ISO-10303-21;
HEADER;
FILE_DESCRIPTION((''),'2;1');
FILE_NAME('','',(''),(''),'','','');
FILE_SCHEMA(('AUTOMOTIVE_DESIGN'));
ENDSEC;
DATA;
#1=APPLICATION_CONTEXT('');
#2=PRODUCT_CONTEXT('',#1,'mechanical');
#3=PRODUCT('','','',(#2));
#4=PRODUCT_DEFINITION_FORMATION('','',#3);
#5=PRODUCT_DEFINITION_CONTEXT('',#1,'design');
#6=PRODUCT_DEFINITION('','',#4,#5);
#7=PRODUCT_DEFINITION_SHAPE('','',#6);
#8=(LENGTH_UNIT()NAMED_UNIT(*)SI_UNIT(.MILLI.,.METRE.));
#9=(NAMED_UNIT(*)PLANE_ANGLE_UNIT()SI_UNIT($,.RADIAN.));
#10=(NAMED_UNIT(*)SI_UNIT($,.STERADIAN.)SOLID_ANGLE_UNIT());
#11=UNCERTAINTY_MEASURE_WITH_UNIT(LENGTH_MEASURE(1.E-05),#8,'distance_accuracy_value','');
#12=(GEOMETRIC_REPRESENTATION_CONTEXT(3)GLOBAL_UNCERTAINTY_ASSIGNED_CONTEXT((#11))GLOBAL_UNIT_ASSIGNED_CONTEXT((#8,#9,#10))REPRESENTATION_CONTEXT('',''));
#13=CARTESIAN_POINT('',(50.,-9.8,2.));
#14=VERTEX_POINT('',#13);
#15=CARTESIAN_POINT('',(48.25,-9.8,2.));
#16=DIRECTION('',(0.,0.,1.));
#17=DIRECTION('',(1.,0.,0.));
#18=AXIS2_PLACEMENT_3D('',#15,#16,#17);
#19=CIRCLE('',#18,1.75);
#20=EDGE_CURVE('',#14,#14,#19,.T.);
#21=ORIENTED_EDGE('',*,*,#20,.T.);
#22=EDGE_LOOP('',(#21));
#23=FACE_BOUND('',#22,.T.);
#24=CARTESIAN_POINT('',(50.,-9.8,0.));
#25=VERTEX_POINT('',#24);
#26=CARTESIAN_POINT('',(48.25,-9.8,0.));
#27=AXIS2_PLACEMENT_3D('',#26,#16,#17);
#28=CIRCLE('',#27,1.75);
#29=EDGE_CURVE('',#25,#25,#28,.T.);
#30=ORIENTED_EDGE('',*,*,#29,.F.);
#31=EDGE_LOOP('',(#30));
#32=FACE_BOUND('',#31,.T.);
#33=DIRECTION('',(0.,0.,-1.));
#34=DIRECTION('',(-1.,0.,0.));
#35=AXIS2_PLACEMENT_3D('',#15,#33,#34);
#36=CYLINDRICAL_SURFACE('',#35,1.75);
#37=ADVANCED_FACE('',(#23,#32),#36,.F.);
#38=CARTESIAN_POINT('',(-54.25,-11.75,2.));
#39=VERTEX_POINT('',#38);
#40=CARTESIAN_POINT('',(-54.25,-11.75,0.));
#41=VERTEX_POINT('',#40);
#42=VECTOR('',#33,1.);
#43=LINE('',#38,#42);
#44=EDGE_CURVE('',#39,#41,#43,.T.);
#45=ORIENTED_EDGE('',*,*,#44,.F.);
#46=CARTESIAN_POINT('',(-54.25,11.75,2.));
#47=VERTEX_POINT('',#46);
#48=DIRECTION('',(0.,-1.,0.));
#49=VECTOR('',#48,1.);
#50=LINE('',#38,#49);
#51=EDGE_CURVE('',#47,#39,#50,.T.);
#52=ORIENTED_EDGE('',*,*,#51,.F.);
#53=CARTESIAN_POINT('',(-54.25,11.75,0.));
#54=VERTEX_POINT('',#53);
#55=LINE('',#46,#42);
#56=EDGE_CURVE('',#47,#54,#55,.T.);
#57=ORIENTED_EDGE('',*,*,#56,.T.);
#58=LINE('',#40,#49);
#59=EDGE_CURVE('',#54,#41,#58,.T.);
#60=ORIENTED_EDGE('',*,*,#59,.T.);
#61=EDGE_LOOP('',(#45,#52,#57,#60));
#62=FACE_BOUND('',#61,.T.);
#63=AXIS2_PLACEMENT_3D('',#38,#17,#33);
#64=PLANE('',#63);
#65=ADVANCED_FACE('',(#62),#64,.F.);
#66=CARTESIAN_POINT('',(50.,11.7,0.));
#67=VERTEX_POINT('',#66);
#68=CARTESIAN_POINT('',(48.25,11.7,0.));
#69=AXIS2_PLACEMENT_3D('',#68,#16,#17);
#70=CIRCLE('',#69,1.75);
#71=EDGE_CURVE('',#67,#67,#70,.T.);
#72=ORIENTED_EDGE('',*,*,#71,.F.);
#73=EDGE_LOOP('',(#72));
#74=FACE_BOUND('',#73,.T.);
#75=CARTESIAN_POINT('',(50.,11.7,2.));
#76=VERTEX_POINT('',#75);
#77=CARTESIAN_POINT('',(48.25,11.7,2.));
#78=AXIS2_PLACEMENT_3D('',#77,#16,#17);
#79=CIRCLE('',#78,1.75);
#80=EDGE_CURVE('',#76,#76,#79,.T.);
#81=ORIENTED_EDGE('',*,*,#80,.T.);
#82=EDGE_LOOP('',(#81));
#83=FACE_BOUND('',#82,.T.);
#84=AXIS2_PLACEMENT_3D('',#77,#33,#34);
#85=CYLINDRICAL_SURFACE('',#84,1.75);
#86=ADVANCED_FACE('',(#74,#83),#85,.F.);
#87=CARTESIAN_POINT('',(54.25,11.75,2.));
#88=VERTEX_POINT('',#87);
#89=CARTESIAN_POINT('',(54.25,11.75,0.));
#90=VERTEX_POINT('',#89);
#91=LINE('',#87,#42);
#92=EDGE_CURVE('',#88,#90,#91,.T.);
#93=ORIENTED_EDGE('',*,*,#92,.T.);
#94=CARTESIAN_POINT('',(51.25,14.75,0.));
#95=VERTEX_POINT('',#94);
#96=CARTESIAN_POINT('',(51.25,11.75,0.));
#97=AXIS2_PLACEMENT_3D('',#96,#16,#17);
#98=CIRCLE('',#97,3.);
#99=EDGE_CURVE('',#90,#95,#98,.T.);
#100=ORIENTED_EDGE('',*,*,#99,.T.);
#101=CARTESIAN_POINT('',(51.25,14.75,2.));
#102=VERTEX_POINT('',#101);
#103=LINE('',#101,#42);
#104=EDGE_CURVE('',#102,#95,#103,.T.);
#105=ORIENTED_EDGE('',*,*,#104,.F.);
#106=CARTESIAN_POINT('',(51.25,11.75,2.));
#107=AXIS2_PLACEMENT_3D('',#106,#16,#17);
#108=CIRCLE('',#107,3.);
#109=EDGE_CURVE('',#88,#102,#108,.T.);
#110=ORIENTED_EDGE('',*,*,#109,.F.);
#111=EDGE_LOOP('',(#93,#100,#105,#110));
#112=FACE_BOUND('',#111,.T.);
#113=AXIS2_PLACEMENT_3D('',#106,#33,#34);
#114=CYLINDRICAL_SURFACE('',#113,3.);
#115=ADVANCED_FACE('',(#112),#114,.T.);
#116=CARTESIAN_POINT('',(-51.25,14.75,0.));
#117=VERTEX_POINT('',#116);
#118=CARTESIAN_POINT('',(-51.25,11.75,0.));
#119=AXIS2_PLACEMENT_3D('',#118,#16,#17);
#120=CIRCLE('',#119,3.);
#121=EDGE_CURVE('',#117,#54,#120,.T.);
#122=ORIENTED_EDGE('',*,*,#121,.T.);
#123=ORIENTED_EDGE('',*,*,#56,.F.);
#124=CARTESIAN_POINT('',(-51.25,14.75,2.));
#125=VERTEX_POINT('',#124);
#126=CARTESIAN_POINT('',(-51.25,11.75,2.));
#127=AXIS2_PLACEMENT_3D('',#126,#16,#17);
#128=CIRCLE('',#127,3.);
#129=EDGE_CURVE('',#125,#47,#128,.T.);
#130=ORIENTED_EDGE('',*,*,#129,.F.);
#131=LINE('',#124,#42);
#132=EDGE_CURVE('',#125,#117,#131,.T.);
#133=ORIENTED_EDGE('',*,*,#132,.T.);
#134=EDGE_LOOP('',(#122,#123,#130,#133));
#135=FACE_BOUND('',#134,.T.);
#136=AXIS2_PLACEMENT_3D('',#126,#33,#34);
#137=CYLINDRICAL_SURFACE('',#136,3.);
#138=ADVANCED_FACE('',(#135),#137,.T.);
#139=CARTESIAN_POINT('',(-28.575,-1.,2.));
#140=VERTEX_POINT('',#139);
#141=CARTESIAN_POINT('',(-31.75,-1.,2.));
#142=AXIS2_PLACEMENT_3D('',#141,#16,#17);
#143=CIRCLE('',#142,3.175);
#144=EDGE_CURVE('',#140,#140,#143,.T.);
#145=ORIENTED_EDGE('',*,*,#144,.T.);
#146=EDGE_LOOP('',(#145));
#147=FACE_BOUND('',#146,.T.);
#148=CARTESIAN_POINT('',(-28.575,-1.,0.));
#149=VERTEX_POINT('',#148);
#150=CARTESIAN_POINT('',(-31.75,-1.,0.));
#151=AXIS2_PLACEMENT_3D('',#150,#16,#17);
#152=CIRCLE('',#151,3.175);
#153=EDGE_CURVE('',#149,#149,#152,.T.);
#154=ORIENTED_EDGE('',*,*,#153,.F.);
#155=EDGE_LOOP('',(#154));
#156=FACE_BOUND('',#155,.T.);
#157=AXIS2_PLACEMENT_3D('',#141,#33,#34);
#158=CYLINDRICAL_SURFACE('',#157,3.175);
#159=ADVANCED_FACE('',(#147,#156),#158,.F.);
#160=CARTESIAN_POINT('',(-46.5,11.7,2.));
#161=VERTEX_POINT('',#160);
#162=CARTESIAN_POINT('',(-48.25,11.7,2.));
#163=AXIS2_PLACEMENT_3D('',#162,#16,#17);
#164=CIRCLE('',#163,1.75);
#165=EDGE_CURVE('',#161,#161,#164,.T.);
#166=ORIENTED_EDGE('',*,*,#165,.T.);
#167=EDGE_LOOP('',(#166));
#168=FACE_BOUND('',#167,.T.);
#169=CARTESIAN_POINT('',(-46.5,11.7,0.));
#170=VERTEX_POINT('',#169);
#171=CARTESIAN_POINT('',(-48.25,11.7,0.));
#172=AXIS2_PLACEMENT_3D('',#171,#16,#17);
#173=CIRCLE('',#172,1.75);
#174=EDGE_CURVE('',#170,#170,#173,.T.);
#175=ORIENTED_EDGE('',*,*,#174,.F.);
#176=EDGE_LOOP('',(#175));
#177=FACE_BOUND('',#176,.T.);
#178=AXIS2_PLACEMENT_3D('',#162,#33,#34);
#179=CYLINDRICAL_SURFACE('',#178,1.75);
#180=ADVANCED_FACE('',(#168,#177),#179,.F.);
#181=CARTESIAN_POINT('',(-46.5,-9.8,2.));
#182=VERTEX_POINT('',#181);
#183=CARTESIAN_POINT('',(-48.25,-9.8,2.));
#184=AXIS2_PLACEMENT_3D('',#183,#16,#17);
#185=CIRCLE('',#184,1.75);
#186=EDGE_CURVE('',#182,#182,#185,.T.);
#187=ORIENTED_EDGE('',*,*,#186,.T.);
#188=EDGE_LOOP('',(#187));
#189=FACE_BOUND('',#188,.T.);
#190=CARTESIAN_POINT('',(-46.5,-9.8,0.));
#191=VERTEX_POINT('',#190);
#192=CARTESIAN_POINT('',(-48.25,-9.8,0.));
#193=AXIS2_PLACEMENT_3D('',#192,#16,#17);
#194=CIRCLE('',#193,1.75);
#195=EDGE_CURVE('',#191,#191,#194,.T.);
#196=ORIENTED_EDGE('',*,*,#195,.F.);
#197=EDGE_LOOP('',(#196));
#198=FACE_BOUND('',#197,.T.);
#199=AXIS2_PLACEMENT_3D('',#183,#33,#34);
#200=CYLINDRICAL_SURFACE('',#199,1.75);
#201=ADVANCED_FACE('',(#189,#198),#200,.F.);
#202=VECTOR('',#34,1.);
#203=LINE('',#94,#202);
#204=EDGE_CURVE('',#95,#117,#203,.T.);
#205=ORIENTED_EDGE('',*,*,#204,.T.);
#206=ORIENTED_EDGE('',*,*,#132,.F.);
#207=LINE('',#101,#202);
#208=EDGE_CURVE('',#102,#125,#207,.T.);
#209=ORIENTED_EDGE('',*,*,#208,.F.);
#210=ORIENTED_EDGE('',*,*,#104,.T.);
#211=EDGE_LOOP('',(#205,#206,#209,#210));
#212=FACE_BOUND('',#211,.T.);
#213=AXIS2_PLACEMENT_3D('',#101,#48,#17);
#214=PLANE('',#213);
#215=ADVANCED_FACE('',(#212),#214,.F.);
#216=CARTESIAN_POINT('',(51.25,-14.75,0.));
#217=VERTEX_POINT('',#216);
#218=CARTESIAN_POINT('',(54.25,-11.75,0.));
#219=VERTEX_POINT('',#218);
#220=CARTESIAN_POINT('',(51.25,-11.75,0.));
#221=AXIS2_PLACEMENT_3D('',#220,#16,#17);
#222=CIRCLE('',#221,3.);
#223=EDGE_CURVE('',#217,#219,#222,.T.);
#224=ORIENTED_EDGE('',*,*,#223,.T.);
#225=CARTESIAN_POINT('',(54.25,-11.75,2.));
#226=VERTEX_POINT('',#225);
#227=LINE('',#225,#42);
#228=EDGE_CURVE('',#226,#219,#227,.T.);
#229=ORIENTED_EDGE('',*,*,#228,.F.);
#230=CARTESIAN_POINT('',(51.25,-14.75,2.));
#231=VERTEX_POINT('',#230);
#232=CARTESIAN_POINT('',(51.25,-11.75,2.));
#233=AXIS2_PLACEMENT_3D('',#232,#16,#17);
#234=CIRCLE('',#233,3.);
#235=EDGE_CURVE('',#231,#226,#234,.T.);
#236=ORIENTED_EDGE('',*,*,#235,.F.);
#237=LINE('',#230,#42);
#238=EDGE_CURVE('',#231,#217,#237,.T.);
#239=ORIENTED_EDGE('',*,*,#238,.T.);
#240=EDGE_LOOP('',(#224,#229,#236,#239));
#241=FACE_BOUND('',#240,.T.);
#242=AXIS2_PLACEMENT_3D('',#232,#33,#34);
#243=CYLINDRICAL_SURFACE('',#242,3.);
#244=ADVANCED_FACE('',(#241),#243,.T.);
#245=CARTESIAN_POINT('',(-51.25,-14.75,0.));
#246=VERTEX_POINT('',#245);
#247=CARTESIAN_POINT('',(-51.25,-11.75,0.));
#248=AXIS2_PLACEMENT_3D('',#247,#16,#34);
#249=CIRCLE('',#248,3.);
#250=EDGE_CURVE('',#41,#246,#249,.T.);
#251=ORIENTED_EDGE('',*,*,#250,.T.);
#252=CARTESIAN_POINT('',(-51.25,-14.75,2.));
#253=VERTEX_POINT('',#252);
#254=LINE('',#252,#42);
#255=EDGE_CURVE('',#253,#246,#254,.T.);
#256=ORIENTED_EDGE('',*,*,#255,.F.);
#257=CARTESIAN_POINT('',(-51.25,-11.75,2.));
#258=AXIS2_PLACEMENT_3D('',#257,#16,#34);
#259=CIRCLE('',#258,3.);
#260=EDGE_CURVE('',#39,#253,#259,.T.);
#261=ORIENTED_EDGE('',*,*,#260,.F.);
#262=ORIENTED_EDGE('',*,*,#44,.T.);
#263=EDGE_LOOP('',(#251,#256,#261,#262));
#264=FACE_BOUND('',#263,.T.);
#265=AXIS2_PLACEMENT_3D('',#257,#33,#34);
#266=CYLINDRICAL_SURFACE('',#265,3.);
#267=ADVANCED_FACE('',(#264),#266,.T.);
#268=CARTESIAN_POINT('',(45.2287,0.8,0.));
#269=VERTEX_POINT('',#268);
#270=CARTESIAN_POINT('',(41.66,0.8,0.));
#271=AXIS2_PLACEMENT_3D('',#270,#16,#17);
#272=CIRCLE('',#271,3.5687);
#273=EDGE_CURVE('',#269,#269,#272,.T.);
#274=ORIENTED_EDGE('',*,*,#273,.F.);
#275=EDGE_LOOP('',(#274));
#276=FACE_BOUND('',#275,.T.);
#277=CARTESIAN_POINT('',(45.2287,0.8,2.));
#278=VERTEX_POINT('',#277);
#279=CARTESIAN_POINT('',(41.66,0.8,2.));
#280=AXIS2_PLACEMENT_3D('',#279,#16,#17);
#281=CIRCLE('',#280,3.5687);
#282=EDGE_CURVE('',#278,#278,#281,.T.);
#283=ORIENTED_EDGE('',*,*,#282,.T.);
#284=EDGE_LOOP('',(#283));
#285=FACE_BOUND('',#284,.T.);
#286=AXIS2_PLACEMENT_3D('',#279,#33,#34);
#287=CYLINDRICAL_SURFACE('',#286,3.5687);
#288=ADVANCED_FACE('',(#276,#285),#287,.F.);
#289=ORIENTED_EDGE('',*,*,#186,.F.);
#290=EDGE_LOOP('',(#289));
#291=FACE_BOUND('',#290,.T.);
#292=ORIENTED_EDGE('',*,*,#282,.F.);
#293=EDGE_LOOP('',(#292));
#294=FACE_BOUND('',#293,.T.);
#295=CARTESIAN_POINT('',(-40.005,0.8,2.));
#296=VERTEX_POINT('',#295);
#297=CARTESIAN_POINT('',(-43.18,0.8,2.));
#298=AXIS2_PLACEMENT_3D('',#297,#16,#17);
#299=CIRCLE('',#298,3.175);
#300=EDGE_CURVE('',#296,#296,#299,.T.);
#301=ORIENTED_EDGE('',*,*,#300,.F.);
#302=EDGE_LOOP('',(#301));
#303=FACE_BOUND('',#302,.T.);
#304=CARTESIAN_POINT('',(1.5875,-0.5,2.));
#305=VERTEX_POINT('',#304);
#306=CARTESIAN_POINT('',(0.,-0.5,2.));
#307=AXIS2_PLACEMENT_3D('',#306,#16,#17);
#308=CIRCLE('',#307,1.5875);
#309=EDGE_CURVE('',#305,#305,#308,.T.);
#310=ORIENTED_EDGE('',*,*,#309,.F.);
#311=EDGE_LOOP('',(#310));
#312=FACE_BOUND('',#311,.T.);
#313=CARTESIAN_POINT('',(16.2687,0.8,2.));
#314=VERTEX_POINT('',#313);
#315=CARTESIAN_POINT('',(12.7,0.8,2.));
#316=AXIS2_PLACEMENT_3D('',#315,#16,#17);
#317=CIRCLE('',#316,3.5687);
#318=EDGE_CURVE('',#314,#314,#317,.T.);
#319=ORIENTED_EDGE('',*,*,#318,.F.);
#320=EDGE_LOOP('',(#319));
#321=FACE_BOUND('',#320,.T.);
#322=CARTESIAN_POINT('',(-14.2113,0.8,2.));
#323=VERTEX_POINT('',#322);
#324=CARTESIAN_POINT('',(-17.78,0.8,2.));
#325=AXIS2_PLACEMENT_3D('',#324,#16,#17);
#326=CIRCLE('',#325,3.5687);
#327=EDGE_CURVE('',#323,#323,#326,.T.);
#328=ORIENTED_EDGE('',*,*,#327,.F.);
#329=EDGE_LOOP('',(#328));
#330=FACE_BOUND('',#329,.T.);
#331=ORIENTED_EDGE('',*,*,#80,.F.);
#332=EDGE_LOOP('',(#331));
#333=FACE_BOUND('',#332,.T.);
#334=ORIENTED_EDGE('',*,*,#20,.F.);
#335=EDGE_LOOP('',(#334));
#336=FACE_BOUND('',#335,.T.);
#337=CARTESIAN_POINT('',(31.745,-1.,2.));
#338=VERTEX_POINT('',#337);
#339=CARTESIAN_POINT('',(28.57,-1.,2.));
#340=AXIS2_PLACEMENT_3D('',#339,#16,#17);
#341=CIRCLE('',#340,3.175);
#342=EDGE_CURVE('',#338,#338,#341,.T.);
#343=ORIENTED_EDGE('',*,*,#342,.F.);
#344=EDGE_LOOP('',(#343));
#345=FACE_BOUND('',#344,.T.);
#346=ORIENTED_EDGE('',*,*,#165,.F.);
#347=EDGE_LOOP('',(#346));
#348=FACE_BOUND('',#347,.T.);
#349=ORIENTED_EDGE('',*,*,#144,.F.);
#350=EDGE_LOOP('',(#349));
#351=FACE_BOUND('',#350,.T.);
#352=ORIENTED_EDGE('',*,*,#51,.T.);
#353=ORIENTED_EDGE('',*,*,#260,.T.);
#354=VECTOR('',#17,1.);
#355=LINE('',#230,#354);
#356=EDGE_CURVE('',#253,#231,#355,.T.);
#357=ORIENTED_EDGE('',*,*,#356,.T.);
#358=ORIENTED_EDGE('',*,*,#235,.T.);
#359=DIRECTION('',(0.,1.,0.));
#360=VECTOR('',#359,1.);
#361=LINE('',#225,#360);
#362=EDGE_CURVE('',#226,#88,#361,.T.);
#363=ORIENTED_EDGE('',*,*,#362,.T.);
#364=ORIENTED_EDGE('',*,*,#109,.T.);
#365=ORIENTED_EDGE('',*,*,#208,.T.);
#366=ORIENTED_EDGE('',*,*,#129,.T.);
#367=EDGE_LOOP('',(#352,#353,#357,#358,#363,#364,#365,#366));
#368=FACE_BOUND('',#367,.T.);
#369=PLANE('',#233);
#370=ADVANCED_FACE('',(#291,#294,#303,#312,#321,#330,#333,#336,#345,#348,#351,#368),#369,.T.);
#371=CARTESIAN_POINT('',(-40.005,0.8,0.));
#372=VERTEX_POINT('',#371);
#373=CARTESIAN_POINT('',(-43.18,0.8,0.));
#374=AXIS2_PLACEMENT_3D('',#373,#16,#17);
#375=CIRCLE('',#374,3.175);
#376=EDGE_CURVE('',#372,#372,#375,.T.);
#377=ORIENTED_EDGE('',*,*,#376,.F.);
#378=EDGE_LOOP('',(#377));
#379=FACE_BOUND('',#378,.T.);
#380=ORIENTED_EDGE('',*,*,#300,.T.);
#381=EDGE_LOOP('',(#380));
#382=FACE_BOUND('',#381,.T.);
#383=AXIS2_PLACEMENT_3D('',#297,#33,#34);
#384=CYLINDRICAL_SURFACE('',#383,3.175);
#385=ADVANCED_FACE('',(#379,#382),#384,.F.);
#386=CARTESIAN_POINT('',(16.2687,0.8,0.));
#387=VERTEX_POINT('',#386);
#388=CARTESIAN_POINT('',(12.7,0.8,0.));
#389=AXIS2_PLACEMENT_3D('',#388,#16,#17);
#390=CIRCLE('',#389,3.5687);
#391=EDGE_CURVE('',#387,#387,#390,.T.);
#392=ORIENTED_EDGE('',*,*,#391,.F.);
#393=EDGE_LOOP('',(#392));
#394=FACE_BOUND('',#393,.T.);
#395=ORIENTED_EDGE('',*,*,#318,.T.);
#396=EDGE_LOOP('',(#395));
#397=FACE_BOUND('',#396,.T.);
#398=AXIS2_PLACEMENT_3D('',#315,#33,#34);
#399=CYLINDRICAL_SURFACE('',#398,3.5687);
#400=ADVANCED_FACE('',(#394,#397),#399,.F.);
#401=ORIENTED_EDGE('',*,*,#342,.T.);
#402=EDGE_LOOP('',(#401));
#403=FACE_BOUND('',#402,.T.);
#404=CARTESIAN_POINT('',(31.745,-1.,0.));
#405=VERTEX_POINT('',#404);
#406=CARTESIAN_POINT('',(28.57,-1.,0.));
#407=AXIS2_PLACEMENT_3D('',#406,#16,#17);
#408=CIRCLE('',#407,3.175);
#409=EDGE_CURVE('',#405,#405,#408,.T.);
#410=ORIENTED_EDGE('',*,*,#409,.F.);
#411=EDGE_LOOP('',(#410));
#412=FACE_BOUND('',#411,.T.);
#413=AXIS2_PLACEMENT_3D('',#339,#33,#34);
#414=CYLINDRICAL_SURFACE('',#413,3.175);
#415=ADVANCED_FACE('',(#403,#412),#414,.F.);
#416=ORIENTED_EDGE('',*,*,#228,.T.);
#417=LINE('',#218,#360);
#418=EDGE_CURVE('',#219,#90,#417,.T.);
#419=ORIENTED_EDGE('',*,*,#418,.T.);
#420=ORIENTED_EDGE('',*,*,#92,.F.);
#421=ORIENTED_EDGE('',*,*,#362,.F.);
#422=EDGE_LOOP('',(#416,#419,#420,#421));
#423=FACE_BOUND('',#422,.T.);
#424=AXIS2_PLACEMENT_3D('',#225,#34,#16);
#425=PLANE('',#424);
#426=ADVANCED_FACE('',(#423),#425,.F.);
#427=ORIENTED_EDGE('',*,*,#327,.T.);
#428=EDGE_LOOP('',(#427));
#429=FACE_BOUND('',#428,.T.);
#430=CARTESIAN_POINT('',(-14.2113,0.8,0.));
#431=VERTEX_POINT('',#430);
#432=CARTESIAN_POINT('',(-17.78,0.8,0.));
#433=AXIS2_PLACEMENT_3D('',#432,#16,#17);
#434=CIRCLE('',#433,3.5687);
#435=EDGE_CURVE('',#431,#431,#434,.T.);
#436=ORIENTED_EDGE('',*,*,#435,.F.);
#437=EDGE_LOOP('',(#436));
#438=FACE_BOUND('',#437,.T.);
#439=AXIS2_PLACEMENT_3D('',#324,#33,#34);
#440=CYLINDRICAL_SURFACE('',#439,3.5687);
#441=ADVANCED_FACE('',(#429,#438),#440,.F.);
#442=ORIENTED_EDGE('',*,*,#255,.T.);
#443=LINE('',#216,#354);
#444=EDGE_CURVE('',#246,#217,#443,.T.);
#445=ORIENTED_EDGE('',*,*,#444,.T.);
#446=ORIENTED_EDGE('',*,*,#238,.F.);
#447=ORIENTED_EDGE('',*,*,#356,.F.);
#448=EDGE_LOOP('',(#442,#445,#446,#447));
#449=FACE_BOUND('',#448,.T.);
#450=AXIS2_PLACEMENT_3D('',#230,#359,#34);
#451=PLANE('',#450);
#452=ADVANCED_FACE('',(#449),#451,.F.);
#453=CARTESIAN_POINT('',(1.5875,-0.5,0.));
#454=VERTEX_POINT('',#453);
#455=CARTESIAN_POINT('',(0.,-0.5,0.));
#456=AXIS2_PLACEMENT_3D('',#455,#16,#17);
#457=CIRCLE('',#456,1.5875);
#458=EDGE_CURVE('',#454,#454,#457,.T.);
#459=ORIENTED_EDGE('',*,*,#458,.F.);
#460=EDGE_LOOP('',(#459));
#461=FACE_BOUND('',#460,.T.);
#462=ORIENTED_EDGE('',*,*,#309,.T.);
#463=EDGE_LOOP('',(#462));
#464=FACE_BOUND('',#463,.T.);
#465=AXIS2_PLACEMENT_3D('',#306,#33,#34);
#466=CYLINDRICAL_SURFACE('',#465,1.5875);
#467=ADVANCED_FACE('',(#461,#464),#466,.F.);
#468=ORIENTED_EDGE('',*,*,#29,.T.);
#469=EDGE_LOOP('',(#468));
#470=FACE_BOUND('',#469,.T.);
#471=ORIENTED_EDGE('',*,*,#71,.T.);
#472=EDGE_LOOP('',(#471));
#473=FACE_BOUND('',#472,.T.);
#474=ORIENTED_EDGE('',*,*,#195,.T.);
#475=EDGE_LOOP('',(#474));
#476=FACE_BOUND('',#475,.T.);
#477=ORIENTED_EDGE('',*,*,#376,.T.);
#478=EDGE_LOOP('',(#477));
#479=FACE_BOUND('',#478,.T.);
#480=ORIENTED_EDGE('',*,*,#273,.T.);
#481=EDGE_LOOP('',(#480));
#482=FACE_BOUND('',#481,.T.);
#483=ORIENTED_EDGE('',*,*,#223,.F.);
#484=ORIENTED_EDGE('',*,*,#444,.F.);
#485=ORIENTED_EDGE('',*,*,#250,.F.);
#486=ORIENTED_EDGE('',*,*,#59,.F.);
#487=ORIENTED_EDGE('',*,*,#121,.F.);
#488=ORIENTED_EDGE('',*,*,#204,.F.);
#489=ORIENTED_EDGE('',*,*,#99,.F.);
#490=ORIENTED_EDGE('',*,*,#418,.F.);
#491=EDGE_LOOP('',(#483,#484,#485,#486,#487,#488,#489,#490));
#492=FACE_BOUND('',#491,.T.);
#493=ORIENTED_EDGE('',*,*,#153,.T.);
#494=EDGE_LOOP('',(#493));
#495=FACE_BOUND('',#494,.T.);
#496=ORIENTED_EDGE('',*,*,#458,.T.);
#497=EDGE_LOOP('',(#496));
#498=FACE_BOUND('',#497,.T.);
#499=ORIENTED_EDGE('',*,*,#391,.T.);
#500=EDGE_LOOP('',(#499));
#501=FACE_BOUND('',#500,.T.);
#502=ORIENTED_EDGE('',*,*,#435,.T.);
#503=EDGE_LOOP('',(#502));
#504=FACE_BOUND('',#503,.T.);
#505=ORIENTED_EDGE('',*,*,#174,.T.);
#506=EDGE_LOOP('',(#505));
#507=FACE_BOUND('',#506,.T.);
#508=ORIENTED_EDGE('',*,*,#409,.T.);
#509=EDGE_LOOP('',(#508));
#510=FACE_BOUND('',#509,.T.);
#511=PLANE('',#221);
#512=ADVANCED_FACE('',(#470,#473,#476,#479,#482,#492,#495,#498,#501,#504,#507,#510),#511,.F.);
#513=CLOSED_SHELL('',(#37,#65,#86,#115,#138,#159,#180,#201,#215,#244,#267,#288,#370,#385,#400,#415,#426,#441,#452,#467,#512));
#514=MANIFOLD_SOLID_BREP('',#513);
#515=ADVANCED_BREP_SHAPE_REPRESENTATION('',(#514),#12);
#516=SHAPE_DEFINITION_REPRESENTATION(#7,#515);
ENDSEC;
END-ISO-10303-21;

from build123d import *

# Parameters (mm, degrees)
SKETCH1_R           = 1.5875
SKETCH1_R_2         = 3.5687
SKETCH1_R_3         = 3.175
SKETCH1_R_4         = 1.75
BOSS_EXTRUDE1_DEPTH = 2


with BuildPart() as part:
    # Sketch1 → Boss-Extrude1 (new body)
    with BuildSketch(Plane.XY):
        with BuildLine():
            Line((51.25, -14.75), (-51.25, -14.75))
            ThreePointArc((-51.25, -14.75), (-53.371320344, -13.871320344), (-54.25, -11.75))
            Line((-54.25, -11.75), (-54.25, 11.75))
            ThreePointArc((-54.25, 11.75), (-53.371320344, 13.871320344), (-51.25, 14.75))
            Line((-51.25, 14.75), (51.25, 14.75))
            ThreePointArc((51.25, 14.75), (53.371320344, 13.871320344), (54.25, 11.75))
            Line((54.25, 11.75), (54.25, -11.75))
            ThreePointArc((54.25, -11.75), (53.371320344, -13.871320344), (51.25, -14.75))
        make_face()
        with Locations((0, -0.5)):
            Circle(SKETCH1_R, mode=Mode.SUBTRACT)
        with Locations((-17.78, 0.8)):
            Circle(SKETCH1_R_2, mode=Mode.SUBTRACT)
        with Locations((-31.75, -1)):
            Circle(SKETCH1_R_3, mode=Mode.SUBTRACT)
        with Locations((-43.18, 0.8)):
            Circle(SKETCH1_R_3, mode=Mode.SUBTRACT)
        with Locations((12.7, 0.8)):
            Circle(SKETCH1_R_2, mode=Mode.SUBTRACT)
        with Locations((28.57, -1)):
            Circle(SKETCH1_R_3, mode=Mode.SUBTRACT)
        with Locations((41.66, 0.8)):
            Circle(SKETCH1_R_2, mode=Mode.SUBTRACT)
        with Locations((48.25, 11.7)):
            Circle(SKETCH1_R_4, mode=Mode.SUBTRACT)
        with Locations((48.25, -9.8)):
            Circle(SKETCH1_R_4, mode=Mode.SUBTRACT)
        with Locations((-48.25, 11.7)):
            Circle(SKETCH1_R_4, mode=Mode.SUBTRACT)
        with Locations((-48.25, -9.8)):
            Circle(SKETCH1_R_4, mode=Mode.SUBTRACT)
    extrude(amount=BOSS_EXTRUDE1_DEPTH)


solid = part.part
